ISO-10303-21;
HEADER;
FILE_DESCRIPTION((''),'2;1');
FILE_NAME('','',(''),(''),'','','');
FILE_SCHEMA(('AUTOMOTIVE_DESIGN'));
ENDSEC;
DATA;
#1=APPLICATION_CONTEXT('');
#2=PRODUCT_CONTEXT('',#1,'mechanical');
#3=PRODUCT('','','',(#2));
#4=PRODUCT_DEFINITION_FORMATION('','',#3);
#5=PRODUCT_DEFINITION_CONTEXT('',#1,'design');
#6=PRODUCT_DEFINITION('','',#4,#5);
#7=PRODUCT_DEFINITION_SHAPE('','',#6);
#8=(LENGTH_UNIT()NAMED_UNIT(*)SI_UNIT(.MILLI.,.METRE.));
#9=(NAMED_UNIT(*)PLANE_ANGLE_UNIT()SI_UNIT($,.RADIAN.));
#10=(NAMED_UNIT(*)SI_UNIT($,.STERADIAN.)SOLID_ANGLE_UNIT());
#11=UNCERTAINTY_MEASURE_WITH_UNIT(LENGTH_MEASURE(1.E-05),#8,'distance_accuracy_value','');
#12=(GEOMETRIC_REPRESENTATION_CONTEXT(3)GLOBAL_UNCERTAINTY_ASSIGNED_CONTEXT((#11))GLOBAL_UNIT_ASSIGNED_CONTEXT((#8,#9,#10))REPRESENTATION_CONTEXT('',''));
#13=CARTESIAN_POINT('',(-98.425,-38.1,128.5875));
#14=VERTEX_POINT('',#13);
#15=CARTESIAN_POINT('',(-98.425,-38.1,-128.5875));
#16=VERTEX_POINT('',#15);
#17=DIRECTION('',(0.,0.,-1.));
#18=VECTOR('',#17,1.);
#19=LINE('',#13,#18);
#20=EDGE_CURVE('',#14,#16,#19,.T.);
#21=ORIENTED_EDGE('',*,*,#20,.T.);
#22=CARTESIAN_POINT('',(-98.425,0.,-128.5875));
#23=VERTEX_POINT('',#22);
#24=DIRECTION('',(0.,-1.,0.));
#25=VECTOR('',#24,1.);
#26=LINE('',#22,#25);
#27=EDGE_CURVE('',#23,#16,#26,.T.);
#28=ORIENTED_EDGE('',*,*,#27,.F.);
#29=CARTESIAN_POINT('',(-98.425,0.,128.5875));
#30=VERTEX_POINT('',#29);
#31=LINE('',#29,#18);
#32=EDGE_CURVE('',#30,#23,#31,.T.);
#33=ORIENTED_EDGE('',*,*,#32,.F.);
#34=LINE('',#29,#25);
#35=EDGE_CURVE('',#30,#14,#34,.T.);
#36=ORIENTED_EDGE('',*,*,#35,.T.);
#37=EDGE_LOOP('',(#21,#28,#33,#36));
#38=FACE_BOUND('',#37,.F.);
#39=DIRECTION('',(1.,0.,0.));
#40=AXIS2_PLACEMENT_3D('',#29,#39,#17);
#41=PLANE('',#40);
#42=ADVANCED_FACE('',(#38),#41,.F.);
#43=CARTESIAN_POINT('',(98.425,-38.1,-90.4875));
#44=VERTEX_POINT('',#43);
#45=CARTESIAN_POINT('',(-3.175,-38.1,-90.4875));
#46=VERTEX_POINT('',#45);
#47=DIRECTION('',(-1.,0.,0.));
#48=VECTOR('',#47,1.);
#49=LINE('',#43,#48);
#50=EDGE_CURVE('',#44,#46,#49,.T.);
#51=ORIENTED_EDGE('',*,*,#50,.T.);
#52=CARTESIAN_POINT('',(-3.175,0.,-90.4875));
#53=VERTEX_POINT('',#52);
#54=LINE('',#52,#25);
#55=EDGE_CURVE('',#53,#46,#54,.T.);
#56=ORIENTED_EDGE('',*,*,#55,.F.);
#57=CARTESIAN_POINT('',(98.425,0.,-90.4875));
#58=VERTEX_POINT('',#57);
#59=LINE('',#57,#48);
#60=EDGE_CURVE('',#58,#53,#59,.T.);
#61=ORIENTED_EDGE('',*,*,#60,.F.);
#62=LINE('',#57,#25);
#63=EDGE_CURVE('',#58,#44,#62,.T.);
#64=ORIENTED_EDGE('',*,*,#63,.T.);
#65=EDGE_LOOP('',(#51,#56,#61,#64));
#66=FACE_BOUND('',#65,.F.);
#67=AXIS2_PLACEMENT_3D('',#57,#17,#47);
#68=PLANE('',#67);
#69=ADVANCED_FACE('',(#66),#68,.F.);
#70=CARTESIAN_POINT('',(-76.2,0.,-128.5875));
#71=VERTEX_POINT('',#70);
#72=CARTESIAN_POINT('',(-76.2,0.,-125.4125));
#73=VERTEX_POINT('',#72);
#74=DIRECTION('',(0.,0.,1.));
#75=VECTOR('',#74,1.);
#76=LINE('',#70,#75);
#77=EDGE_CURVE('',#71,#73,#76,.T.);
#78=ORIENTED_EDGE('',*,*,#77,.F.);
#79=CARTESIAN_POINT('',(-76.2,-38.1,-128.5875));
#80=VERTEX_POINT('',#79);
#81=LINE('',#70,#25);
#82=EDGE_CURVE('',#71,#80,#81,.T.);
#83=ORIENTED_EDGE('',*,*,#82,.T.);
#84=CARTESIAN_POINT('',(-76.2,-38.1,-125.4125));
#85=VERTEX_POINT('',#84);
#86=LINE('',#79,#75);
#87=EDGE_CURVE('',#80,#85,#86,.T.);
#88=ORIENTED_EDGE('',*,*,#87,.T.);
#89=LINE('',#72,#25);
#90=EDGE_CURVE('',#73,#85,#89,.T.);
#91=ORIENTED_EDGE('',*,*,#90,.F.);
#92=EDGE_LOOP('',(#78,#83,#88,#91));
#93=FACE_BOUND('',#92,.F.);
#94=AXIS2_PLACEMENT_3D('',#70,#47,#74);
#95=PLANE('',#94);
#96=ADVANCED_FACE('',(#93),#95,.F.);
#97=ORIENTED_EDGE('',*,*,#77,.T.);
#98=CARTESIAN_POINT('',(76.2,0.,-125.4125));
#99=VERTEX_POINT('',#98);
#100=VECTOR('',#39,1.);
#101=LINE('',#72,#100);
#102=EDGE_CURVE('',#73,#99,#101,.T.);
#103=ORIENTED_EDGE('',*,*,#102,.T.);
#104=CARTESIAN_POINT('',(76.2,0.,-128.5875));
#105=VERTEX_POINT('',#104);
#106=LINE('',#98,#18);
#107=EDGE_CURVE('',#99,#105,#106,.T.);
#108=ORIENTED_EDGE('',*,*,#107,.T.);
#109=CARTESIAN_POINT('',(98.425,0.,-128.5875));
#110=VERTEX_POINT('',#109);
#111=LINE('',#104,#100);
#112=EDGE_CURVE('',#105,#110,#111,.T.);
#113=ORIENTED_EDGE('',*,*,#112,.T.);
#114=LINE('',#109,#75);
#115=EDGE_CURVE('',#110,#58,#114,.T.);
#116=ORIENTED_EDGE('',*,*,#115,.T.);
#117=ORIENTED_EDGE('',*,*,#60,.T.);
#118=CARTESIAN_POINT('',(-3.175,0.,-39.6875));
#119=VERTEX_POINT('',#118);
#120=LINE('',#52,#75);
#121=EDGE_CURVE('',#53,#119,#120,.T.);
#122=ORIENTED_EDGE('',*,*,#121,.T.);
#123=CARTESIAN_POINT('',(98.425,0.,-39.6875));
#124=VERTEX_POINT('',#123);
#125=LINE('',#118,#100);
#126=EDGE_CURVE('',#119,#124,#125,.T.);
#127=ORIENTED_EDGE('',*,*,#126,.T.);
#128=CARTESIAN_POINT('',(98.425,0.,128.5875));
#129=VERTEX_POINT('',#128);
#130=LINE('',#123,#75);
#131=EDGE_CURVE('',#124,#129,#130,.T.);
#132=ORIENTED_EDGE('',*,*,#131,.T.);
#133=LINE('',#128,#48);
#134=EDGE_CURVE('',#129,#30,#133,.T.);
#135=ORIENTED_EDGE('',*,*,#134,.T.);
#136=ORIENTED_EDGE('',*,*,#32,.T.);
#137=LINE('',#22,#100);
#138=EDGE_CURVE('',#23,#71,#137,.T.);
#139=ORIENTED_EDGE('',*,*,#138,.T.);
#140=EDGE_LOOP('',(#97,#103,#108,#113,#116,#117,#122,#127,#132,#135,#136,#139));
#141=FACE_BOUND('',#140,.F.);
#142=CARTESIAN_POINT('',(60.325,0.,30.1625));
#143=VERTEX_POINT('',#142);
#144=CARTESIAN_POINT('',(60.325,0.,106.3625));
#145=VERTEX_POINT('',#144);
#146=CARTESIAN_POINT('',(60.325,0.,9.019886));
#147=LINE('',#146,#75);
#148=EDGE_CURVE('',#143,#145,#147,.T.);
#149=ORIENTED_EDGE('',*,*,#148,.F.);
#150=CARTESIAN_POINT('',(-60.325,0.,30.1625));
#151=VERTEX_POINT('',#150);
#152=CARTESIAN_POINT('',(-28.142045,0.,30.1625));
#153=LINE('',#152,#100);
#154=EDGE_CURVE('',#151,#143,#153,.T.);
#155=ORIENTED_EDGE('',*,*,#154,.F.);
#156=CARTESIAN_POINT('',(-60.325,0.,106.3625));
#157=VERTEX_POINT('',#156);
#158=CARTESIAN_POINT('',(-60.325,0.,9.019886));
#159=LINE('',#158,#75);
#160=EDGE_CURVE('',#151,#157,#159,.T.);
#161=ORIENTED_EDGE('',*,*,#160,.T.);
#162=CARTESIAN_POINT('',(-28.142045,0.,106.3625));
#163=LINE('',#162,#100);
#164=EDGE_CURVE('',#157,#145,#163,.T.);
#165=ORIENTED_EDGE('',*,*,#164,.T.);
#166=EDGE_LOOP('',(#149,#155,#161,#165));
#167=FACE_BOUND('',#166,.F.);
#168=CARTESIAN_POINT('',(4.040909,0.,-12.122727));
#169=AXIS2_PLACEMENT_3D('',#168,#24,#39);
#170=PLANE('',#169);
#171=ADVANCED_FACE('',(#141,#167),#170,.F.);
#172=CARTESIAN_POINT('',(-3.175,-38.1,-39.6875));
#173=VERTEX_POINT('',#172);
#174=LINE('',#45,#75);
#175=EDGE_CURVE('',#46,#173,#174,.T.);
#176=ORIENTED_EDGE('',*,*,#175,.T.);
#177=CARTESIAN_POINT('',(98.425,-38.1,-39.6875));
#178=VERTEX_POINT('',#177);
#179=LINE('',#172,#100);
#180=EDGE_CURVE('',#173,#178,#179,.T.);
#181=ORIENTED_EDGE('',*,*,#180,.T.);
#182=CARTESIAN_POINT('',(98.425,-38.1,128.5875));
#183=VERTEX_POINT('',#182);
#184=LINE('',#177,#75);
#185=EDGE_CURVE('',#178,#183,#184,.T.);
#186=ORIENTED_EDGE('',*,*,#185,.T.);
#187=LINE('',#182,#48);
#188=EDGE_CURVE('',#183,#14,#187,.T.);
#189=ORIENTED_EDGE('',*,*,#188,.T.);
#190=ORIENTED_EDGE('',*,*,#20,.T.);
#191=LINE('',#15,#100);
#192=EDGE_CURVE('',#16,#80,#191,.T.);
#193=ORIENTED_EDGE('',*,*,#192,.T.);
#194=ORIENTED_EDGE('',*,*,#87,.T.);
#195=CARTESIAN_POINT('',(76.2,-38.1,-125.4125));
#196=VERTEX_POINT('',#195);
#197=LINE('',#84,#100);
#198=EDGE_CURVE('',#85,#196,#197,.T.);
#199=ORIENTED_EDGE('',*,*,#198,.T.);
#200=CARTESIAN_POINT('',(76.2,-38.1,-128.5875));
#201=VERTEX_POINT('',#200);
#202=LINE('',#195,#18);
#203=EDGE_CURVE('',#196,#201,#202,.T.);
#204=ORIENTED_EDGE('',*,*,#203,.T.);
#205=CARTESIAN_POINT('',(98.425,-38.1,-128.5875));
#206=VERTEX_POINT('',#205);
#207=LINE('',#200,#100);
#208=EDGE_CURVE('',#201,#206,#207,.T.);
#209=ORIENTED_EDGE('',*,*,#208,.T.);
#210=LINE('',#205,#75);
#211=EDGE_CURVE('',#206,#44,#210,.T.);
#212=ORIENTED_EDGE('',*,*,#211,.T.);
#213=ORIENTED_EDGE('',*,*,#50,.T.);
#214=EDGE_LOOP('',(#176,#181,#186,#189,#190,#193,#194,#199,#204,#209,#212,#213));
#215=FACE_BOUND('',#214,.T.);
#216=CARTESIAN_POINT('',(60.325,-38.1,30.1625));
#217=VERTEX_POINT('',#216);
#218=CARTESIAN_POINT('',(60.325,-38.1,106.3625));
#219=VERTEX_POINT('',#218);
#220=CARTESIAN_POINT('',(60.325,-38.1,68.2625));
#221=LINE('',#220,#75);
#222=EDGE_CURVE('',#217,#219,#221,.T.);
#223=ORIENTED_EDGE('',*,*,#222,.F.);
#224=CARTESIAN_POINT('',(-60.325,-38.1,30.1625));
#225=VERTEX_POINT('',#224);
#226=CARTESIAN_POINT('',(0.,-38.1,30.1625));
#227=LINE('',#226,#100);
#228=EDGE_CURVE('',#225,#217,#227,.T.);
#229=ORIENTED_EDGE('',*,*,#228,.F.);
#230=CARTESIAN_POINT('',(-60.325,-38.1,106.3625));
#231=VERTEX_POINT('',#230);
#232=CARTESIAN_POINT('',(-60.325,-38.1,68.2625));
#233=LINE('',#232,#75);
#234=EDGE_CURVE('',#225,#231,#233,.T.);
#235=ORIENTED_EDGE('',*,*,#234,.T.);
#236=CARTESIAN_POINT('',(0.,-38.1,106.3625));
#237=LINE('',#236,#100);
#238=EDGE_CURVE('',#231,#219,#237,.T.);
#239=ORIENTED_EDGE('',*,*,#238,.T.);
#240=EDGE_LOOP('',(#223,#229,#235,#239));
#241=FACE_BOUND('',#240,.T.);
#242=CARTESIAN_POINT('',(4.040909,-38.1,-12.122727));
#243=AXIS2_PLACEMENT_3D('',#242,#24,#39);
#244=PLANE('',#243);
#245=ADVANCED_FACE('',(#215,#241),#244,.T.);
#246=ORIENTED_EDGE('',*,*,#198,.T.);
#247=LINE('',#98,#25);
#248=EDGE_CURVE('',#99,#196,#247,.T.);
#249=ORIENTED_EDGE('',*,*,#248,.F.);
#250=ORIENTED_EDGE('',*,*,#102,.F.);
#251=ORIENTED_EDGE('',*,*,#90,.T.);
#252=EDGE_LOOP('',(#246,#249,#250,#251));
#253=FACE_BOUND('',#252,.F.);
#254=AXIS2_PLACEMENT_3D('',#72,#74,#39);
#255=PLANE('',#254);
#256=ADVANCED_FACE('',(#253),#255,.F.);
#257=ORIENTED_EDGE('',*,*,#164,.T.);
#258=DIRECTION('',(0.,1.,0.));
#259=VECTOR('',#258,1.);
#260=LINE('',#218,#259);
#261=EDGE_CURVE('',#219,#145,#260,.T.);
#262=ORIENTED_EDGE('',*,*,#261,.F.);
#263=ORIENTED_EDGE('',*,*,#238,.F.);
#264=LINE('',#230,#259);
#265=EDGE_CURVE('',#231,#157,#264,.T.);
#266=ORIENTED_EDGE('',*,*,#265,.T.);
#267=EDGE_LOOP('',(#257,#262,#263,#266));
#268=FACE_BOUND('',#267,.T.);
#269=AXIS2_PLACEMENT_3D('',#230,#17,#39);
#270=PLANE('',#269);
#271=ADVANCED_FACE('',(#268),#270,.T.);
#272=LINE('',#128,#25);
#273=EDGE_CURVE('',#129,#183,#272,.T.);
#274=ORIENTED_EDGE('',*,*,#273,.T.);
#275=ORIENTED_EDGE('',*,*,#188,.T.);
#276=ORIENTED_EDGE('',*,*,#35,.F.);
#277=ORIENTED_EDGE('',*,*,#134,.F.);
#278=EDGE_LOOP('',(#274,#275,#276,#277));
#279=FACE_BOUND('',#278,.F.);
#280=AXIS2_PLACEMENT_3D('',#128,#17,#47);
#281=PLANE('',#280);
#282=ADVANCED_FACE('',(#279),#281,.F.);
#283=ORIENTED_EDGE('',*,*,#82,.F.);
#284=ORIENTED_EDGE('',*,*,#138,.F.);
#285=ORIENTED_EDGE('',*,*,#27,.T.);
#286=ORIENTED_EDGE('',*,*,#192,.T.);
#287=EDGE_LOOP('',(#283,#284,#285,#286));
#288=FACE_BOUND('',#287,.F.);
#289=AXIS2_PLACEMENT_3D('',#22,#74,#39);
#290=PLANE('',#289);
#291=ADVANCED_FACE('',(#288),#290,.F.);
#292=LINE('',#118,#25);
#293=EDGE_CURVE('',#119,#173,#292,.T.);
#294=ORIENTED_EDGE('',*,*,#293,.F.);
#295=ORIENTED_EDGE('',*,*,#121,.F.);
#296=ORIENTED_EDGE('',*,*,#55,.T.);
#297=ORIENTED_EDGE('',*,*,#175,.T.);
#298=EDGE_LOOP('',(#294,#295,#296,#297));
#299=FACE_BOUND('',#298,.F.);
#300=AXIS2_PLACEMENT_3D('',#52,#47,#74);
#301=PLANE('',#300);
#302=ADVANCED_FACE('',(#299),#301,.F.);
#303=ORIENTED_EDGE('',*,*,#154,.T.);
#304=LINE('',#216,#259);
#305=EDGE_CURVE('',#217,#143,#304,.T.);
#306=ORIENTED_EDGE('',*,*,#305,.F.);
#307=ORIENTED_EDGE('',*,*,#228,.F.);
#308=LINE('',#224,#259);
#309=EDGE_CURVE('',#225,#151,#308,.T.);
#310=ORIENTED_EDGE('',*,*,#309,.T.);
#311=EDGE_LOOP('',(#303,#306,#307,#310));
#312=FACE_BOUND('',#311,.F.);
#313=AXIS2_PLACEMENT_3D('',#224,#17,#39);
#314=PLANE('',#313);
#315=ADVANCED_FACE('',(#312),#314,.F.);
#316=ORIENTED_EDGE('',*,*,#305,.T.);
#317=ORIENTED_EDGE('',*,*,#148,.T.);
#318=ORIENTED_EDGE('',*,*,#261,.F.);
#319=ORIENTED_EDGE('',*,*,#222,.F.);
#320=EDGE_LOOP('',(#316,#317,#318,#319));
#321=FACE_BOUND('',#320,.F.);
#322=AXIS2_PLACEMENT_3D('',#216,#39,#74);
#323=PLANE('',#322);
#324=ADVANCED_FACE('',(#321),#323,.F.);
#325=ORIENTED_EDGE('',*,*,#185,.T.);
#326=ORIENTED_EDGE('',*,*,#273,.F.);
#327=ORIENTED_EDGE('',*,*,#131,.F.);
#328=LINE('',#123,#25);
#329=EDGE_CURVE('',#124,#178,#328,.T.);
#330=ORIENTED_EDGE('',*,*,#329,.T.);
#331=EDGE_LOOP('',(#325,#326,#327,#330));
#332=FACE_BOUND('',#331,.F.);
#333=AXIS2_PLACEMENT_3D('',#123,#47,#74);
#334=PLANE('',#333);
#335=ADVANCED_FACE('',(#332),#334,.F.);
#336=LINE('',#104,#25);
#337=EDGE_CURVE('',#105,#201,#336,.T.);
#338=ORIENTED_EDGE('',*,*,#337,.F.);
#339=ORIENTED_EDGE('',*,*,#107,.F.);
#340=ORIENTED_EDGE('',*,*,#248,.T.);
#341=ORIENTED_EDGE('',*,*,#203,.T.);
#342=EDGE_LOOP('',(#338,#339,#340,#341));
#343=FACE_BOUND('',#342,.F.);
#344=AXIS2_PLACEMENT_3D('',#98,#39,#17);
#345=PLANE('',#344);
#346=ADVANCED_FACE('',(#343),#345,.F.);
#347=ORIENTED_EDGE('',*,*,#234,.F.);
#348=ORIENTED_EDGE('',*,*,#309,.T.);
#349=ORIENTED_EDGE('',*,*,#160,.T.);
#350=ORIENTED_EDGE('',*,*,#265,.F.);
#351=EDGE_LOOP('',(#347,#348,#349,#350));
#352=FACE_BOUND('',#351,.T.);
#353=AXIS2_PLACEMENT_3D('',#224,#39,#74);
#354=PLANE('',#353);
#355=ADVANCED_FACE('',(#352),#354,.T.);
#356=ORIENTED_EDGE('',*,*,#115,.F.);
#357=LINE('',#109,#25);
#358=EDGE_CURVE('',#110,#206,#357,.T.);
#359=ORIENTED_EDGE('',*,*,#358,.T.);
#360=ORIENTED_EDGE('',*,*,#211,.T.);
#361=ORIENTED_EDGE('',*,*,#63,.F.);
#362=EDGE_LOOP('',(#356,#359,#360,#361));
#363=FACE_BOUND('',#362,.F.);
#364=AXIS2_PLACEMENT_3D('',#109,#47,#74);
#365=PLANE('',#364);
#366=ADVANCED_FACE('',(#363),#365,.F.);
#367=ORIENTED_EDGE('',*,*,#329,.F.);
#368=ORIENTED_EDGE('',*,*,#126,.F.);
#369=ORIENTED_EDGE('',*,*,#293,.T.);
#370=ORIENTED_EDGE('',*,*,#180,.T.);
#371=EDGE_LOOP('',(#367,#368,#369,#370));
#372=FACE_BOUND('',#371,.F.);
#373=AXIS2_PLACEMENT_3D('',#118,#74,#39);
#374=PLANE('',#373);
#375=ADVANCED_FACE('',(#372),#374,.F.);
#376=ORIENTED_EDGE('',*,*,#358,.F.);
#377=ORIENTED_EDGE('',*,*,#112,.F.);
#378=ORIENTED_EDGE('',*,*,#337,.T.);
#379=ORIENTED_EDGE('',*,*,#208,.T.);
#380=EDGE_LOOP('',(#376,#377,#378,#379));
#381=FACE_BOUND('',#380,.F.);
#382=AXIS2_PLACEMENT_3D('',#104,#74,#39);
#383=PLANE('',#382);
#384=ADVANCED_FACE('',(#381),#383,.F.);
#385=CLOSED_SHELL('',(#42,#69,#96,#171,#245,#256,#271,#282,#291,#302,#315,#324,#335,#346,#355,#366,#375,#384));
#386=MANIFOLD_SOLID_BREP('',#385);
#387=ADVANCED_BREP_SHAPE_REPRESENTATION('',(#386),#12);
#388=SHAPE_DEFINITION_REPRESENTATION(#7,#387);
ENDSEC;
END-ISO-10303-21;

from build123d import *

# Parameters (mm, degrees)
F1_DEPTH = 38.1
F2_W     = 120.65
F2_H     = 76.2
F3_DEPTH = 38.101


with BuildPart() as f1:
    # F0 (on Front) → F1 (new body)
    with BuildSketch(Plane.XZ):
        Polygon((98.425, 128.5875), (-98.425, 128.5875), (-98.425, -128.5875), (-76.2, -128.5875), (-76.2, -125.4125), (76.2, -125.4125), (76.2, -128.5875), (98.425, -128.5875), (98.425, -90.4875), (-3.175, -90.4875), (-3.175, -39.6875), (98.425, -39.6875), align=None)
    extrude(amount=F1_DEPTH)

    # F2 (on face) → F3 (cut, through all)
    with BuildSketch(Plane.XZ.offset(38.1)):
        with Locations((0, 68.2625)):
            Rectangle(F2_W, F2_H)
    extrude(amount=-F3_DEPTH, mode=Mode.SUBTRACT)


solid = f1.part
